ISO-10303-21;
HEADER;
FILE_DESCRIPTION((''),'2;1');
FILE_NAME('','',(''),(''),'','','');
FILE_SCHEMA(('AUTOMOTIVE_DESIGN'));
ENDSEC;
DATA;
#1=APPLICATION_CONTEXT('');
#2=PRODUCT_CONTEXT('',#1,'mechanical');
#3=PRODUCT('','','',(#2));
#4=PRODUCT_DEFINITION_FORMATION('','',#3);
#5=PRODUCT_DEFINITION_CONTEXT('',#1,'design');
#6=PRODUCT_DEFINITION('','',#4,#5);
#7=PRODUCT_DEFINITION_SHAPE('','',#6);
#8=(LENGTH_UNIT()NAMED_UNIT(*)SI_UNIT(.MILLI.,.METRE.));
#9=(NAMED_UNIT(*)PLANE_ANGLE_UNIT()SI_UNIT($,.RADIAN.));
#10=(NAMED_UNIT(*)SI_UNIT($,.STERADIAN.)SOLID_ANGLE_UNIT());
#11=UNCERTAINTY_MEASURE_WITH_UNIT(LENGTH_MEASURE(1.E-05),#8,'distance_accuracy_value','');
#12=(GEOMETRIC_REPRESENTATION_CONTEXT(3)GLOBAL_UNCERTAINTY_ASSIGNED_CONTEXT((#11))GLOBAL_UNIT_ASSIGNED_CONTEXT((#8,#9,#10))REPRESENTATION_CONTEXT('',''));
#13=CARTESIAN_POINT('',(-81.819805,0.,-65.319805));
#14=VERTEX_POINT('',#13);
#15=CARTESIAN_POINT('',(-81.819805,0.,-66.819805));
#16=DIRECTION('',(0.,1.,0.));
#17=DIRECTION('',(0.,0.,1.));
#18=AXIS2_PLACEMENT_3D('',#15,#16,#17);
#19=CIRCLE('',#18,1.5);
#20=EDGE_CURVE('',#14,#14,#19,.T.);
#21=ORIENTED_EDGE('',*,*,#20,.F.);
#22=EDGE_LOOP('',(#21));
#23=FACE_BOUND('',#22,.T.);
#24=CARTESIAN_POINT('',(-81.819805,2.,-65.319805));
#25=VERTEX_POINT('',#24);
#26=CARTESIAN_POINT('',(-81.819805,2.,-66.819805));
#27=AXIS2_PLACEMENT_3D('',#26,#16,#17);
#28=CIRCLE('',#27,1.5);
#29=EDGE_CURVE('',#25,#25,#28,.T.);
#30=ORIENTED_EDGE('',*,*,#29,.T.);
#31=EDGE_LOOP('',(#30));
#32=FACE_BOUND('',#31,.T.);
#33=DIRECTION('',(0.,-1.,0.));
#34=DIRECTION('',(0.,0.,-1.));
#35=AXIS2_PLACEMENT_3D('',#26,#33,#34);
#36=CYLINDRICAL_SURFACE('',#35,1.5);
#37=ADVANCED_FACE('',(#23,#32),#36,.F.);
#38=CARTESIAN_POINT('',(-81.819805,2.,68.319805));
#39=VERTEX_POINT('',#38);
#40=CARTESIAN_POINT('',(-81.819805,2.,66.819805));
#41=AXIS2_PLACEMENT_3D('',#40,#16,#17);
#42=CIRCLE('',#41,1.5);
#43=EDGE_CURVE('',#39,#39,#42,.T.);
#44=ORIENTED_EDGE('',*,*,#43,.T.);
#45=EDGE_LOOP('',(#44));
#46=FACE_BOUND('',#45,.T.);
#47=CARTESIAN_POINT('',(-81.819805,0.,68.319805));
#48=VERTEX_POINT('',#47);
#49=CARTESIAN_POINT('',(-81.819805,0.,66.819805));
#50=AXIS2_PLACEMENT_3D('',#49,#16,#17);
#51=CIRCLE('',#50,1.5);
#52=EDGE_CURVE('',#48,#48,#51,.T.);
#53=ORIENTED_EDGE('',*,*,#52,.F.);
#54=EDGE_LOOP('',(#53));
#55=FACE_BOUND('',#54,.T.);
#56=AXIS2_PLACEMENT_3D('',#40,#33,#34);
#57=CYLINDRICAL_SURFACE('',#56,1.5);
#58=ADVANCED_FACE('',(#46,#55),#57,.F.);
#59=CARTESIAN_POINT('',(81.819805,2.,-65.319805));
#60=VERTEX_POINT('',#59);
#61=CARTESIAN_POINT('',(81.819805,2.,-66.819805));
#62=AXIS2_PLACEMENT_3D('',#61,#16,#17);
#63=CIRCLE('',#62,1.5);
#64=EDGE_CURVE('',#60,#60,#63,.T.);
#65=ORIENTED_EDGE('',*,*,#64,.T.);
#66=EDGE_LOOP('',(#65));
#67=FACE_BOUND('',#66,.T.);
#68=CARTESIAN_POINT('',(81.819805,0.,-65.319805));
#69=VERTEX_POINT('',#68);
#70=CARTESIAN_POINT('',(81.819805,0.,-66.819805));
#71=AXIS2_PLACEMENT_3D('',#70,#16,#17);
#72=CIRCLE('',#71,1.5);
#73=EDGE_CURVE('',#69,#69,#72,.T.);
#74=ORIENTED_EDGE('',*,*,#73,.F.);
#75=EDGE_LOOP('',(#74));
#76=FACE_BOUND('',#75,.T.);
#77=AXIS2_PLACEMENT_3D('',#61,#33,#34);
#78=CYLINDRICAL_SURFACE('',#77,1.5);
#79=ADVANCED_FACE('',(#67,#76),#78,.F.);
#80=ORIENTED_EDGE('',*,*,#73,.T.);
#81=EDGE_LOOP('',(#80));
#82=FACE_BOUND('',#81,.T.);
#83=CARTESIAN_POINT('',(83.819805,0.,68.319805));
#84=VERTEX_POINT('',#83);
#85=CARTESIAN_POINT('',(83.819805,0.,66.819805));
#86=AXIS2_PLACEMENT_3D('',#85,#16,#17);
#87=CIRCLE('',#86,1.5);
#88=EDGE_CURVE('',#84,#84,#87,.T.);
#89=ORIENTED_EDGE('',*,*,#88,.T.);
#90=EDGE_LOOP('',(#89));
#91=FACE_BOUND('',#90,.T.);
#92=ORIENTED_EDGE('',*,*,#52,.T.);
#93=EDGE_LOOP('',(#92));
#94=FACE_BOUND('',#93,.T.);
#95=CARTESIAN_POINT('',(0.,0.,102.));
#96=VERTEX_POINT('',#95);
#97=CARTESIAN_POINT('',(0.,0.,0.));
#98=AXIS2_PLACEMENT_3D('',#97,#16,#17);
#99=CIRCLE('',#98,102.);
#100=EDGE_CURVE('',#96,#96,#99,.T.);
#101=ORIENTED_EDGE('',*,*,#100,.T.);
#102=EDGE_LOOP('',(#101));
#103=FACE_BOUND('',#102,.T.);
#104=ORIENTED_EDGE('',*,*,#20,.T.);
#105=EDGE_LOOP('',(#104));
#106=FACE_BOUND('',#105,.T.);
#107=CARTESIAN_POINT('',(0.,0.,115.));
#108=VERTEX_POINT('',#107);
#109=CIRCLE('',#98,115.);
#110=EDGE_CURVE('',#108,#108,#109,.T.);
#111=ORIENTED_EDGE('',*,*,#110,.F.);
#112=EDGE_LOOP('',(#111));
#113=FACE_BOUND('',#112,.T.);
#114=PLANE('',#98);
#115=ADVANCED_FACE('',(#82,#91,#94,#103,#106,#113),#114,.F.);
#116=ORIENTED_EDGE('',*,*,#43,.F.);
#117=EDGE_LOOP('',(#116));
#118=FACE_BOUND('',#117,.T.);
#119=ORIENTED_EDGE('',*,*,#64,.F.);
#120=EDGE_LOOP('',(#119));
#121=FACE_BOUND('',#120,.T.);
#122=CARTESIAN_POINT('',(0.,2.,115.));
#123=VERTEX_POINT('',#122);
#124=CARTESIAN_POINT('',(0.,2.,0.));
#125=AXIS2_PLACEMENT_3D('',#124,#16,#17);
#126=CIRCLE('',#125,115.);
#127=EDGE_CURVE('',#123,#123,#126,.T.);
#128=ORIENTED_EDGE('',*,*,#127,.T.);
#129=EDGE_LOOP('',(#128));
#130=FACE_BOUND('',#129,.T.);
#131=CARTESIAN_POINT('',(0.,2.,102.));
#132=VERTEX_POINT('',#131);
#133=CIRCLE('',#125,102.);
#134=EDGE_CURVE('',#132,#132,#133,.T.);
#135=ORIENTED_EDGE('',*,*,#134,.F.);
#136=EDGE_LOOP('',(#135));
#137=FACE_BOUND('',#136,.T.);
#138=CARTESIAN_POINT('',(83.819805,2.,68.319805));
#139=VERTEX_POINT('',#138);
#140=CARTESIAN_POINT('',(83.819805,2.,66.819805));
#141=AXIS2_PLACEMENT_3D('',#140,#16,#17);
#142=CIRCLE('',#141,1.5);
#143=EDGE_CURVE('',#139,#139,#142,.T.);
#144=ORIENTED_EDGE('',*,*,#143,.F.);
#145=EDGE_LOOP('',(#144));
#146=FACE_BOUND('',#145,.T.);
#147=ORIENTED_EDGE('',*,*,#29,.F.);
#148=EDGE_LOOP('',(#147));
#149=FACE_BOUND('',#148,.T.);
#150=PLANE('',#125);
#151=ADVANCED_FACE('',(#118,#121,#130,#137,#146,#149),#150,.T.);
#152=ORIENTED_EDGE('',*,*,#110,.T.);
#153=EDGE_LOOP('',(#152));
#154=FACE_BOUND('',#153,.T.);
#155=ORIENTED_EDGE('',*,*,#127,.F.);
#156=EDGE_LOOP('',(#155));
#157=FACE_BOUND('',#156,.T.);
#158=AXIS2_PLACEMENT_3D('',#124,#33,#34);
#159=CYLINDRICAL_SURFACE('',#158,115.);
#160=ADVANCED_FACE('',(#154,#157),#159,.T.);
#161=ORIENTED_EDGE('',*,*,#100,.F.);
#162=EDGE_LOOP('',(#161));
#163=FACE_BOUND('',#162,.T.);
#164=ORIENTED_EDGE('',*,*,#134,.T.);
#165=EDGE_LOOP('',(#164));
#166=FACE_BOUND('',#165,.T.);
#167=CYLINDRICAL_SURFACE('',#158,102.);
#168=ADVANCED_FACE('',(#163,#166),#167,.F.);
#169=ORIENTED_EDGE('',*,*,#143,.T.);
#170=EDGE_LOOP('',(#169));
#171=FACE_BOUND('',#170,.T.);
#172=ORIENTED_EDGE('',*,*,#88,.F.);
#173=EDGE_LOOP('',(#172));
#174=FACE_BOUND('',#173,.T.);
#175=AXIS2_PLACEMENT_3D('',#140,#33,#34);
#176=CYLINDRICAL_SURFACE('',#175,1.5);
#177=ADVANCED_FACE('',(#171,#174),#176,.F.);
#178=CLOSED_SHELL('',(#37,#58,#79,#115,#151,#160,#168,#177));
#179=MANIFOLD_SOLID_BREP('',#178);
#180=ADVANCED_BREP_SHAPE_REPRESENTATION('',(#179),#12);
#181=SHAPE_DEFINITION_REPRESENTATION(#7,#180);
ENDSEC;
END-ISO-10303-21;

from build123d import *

# Parameters (mm, degrees)
SKETCH_1_R      = 115
SKETCH_1_R_2    = 102
SKETCH_1_R_3    = 1.5
EXTRUDE_1_DEPTH = 2


with BuildPart() as part:
    # 草图1 → 凸台-拉伸1 (new body)
    with BuildSketch(Plane(origin=(0, 0, 0), x_dir=(1, 0, 0), z_dir=(0, 1, 0))):
        with Locations(Location((0, 0, 0), (0, 0, 270))):
            Circle(SKETCH_1_R)
        with Locations(Location((0, 0, 0), (0, 0, 270))):
            Circle(SKETCH_1_R_2, mode=Mode.SUBTRACT)
        with Locations(Location((-81.819805153, 66.819805153, 0), (0, 0, 270))):
            Circle(SKETCH_1_R_3, mode=Mode.SUBTRACT)
        with Locations(Location((-81.819805153, -66.819805153, 0), (0, 0, 270))):
            Circle(SKETCH_1_R_3, mode=Mode.SUBTRACT)
        with Locations(Location((83.819805153, -66.819805153, 0), (0, 0, 270))):
            Circle(SKETCH_1_R_3, mode=Mode.SUBTRACT)
        with Locations(Location((81.819805153, 66.819805153, 0), (0, 0, 270))):
            Circle(SKETCH_1_R_3, mode=Mode.SUBTRACT)
    extrude(amount=EXTRUDE_1_DEPTH)


solid = part.part
